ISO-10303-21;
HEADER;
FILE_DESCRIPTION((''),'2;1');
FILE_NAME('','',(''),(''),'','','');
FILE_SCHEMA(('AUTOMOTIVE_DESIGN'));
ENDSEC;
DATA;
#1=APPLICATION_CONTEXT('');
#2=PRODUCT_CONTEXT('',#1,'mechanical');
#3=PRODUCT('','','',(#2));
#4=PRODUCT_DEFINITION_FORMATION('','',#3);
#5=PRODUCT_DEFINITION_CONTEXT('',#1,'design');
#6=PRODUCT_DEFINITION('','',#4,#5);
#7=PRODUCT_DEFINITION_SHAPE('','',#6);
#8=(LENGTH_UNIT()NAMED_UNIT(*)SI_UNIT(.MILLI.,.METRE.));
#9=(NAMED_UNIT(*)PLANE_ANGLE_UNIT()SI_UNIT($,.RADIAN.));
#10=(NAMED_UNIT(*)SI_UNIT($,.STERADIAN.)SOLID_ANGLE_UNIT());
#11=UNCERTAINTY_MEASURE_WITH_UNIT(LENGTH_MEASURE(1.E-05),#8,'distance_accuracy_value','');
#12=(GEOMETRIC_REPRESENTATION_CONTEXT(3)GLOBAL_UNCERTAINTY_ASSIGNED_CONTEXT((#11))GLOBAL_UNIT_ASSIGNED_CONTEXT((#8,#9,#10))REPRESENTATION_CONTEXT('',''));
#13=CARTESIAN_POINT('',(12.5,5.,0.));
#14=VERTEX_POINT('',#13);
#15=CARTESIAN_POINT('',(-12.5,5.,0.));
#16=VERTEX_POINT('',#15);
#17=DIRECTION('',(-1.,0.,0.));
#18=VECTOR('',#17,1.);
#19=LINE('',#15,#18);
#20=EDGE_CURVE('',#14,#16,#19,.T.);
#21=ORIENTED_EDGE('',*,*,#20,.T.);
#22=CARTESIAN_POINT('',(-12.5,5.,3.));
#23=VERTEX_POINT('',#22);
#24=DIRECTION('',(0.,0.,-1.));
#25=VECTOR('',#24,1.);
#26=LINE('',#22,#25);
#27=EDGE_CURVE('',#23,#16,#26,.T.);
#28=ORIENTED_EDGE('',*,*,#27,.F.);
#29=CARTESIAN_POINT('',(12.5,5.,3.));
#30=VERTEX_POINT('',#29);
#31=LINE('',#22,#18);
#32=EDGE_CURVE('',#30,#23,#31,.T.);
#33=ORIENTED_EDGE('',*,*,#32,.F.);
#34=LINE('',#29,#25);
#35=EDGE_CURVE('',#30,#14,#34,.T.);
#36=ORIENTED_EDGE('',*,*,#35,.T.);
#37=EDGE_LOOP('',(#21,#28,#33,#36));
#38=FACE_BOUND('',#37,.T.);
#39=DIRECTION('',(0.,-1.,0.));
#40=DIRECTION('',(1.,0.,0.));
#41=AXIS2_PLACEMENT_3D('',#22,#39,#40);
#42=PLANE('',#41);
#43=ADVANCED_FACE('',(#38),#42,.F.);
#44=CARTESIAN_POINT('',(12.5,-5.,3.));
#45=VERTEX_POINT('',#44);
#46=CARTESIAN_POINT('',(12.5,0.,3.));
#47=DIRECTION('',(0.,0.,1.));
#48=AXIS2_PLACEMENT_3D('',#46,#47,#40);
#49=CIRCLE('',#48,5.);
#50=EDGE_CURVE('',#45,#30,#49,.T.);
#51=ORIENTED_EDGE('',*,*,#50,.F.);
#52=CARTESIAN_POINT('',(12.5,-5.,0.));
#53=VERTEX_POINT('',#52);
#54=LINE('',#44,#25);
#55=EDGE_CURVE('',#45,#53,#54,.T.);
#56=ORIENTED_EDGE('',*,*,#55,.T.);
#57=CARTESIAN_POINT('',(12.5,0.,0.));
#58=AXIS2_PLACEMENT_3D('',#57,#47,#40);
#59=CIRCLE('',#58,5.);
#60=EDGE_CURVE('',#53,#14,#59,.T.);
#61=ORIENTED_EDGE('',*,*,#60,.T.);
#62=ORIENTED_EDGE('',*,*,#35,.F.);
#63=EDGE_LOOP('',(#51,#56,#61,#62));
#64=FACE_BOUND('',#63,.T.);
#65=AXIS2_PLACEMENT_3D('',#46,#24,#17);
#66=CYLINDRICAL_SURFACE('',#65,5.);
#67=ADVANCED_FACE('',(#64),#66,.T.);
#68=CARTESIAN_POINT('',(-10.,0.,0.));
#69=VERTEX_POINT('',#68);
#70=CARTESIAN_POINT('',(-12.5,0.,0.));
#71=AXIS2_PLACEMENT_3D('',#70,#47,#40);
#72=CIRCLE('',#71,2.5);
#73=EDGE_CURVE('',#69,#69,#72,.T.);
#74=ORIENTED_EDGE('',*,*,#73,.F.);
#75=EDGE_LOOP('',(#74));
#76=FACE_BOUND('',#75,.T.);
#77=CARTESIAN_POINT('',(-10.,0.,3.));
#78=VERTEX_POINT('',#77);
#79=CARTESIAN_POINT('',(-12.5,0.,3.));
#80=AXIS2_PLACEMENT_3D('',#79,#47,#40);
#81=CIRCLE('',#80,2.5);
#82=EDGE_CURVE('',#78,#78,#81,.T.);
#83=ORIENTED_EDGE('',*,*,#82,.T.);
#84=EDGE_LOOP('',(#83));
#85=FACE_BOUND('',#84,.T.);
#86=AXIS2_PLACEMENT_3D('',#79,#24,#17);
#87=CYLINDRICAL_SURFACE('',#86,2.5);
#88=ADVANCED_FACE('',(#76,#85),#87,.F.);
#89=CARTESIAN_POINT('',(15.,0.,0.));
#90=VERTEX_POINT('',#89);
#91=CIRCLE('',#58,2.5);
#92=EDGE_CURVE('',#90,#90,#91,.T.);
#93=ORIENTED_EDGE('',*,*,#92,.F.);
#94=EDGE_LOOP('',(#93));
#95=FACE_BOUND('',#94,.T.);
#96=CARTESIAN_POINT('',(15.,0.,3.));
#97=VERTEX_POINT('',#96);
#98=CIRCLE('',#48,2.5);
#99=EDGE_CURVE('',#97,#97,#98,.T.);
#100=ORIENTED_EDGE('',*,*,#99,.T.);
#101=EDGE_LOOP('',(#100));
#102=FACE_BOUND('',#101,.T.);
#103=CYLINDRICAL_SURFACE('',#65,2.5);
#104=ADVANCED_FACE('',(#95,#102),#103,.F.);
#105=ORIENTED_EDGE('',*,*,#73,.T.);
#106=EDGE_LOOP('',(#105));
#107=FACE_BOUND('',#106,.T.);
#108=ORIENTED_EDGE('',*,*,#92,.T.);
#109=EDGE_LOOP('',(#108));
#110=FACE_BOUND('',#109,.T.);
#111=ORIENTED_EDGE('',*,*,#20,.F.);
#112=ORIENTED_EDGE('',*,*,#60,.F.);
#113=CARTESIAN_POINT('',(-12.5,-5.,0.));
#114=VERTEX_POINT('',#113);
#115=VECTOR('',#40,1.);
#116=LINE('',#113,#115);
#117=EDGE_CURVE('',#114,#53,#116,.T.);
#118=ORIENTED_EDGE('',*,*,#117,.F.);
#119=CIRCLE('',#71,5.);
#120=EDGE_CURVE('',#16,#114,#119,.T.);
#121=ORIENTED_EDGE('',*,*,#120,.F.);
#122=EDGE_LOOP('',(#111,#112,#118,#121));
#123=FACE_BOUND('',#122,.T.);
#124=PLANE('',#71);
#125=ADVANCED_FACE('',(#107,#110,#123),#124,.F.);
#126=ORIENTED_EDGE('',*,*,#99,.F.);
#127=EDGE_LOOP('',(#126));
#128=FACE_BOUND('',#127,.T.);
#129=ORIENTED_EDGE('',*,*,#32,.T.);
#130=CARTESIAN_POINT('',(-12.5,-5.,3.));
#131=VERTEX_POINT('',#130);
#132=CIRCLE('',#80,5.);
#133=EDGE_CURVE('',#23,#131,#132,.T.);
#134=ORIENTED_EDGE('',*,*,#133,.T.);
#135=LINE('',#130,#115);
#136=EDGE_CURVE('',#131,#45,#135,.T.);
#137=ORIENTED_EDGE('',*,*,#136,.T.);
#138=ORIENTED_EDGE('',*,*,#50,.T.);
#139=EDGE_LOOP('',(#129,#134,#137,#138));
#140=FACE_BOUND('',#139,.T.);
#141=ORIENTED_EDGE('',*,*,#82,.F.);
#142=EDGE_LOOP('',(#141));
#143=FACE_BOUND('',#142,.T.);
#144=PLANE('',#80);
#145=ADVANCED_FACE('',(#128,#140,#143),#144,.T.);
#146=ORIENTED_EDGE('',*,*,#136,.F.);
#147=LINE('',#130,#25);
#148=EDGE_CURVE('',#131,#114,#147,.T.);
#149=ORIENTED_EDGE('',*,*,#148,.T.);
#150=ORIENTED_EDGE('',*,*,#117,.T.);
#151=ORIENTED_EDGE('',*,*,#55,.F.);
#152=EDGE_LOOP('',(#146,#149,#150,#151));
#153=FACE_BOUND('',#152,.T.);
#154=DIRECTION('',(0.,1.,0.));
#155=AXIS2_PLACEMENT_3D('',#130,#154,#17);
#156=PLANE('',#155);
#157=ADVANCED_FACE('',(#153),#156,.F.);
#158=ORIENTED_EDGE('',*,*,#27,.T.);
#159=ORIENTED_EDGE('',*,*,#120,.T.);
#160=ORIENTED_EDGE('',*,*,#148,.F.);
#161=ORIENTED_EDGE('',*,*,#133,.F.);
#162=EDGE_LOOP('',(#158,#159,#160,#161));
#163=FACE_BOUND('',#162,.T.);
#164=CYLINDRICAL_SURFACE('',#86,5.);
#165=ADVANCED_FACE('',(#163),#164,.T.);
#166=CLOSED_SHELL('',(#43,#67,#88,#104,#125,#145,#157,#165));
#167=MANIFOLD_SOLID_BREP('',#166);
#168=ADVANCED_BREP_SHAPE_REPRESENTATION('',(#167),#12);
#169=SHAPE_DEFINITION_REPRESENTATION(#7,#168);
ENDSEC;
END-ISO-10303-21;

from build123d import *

# Parameters (mm, degrees)
SKETCH1_R           = 2.5
BOSS_EXTRUDE1_DEPTH = 3


with BuildPart() as part:
    # Sketch1 → Boss-Extrude1 (new body)
    with BuildSketch(Plane.XY):
        with BuildLine():
            Line((-12.5, 5), (12.5, 5))
            ThreePointArc((12.5, 5), (17.5, 0), (12.5, -5))
            Line((12.5, -5), (-12.5, -5))
            ThreePointArc((-12.5, -5), (-17.5, 0), (-12.5, 5))
        make_face()
        with Locations((12.5, 0)):
            Circle(SKETCH1_R, mode=Mode.SUBTRACT)
        with Locations((-12.5, 0)):
            Circle(SKETCH1_R, mode=Mode.SUBTRACT)
    extrude(amount=BOSS_EXTRUDE1_DEPTH)


solid = part.part
